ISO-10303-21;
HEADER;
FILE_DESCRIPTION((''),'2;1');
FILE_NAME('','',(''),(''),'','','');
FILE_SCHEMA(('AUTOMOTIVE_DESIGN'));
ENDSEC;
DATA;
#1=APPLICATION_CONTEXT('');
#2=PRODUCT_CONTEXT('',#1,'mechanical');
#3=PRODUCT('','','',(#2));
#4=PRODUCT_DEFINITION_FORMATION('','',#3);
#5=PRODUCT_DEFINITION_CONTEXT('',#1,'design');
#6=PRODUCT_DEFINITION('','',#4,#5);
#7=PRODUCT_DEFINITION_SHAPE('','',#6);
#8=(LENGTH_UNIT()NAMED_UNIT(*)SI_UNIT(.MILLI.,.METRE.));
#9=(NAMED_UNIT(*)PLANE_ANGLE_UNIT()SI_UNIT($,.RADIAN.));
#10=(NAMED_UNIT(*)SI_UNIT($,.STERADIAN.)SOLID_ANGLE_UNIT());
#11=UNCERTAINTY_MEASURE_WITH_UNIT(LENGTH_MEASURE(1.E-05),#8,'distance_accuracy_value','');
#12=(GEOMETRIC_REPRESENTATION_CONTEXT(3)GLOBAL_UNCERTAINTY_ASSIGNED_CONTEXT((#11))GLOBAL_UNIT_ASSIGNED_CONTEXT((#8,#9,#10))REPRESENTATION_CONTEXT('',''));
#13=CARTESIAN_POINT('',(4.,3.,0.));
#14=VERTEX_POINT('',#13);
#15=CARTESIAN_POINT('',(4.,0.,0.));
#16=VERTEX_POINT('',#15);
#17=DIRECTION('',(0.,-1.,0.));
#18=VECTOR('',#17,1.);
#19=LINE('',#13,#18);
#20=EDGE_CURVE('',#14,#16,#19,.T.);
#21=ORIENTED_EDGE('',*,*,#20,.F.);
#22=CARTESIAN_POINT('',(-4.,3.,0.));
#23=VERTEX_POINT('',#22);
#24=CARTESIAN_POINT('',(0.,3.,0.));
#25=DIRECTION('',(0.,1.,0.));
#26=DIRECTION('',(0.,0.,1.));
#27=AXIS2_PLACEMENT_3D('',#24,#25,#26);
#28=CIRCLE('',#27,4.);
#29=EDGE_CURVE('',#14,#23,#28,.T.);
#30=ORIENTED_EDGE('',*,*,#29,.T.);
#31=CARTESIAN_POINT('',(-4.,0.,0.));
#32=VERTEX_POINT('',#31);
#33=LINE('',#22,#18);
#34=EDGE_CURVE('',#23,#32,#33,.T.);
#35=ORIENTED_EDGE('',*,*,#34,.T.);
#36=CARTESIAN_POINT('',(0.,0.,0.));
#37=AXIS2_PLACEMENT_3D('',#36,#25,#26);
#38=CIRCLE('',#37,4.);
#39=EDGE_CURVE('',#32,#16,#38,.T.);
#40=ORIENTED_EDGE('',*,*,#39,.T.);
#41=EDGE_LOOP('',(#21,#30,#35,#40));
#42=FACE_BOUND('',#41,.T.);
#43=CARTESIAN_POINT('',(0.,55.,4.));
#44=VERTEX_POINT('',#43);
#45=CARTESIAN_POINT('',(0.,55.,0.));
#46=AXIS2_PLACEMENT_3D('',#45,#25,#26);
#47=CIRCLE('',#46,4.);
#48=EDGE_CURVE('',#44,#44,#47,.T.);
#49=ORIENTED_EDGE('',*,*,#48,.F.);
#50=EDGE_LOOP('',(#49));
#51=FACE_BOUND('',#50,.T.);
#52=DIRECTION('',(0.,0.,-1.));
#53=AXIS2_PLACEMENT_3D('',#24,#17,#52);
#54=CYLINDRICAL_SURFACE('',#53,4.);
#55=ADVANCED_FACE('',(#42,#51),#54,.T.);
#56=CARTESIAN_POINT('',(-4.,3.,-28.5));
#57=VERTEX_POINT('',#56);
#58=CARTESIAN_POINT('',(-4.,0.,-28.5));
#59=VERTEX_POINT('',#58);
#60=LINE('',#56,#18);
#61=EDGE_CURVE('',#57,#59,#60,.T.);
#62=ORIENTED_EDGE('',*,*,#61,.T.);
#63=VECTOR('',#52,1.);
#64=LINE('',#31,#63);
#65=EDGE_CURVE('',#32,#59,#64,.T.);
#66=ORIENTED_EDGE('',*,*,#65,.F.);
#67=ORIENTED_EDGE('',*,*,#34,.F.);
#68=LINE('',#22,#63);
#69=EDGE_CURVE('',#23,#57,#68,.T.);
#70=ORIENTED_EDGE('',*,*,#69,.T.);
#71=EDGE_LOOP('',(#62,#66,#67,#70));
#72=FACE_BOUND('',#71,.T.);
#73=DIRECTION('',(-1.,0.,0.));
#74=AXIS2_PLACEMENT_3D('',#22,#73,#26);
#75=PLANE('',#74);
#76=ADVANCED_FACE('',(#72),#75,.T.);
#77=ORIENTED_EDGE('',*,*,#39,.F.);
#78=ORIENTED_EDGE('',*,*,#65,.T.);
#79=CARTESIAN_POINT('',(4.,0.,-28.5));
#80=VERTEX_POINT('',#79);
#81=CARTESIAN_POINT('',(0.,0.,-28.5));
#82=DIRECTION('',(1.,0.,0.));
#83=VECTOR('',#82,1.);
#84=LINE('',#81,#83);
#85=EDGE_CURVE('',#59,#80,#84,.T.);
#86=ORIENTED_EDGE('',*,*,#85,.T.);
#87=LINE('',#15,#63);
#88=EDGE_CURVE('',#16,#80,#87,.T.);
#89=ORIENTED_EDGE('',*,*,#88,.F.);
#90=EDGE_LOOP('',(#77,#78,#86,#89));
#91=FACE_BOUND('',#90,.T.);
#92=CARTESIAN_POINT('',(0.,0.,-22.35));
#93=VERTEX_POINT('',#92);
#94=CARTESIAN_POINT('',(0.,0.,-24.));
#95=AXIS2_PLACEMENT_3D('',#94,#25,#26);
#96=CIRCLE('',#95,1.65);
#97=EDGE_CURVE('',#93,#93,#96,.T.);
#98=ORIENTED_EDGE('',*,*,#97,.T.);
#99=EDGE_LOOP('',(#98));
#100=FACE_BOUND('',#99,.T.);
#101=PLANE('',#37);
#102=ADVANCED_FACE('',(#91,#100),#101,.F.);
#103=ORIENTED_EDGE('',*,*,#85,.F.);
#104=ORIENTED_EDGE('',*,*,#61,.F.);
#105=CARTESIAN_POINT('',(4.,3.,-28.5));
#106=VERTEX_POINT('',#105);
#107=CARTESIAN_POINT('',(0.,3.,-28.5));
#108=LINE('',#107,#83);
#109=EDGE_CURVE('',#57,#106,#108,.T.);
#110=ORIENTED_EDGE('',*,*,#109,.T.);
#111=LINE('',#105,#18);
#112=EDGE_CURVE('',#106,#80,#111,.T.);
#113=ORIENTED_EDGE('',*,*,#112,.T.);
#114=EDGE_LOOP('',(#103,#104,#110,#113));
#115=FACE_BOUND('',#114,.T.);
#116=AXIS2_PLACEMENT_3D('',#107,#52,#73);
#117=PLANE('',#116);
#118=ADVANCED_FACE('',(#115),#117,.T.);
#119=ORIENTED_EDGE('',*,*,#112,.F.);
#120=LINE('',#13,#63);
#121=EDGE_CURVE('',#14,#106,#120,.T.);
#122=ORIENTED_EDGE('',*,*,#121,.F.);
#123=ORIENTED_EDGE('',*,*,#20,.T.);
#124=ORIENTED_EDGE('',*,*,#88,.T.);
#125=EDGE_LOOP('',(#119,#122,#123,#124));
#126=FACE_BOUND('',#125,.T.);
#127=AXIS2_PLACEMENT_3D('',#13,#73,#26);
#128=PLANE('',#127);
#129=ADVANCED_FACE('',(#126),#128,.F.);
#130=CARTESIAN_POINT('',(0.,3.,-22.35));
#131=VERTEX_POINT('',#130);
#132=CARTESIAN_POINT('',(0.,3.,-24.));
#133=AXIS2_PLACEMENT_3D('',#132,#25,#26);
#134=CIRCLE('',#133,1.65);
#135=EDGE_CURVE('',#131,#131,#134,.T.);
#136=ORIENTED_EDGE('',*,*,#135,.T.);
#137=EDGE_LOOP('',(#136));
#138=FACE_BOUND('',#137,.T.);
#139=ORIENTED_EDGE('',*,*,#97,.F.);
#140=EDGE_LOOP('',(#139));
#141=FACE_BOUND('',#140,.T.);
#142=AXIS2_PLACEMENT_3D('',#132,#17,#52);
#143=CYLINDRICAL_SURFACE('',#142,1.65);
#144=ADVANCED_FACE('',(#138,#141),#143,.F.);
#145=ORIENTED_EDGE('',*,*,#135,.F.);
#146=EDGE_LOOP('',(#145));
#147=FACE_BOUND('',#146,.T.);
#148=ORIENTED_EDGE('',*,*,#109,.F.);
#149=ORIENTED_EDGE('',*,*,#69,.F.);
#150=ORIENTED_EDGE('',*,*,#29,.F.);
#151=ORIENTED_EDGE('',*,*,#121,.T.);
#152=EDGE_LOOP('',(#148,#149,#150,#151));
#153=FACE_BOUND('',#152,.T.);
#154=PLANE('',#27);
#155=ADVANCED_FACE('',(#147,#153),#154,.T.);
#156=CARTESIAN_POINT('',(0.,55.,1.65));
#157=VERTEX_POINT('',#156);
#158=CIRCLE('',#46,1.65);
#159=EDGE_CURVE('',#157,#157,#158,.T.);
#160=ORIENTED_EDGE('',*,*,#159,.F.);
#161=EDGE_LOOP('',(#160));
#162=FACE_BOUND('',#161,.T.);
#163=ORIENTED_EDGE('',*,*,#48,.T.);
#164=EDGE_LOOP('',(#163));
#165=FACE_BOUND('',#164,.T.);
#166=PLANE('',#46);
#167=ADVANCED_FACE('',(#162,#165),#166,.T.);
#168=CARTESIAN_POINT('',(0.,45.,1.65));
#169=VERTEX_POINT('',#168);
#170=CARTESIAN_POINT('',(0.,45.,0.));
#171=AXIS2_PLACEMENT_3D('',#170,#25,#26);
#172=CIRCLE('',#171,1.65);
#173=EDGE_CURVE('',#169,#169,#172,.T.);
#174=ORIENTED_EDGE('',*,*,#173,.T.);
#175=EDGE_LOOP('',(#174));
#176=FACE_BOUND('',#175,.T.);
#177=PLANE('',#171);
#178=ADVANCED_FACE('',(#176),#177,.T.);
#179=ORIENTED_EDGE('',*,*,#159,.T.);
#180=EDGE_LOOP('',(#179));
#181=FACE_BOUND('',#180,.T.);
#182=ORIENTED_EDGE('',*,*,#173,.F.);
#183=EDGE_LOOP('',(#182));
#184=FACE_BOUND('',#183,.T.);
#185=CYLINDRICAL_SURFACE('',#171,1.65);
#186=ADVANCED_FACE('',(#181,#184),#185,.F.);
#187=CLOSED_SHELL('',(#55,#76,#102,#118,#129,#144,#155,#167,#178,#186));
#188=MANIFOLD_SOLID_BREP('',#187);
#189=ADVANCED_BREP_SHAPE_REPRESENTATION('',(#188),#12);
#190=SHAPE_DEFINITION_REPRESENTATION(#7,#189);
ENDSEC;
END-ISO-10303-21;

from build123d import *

# Parameters (mm, degrees)
SKIZZE2_R                       = 1.65
SKIZZE2_R_2                     = 4
AUFSATZ_LINEAR_AUSTRAGEN1_DEPTH = 3
SKIZZE3_R                       = 4
AUFSATZ_LINEAR_AUSTRAGEN2_DEPTH = 52
SKIZZE4_R                       = 1.65
SCHNITT_LINEAR_AUSTRAGEN1_DEPTH = 10


with BuildPart() as part:
    # Skizze2 → Aufsatz-Linear austragen1 (new body)
    # profile 1 of 2: a face of its own
    with BuildSketch(Plane(origin=(0, 0, 0), x_dir=(1, 0, 0), z_dir=(0, 1, 0))):
        with BuildLine():
            Line((-4, 28.5), (-4, 0))
            ThreePointArc((-4, 0), (0, 4), (4, 0))
            Line((4, 0), (4, 28.5))
            Line((4, 28.5), (-4, 28.5))
        make_face()
        with Locations(Location((0, 24, 0), (0, 0, 270))):
            Circle(SKIZZE2_R, mode=Mode.SUBTRACT)
    # profile 2 of 2: a face of its own
    with BuildSketch(Plane(origin=(0, 0, 0), x_dir=(1, 0, 0), z_dir=(0, 1, 0))):
        Circle(SKIZZE2_R_2)
    extrude(amount=AUFSATZ_LINEAR_AUSTRAGEN1_DEPTH)

    # Skizze3 → Aufsatz-Linear austragen2 (add)
    with BuildSketch(Plane(origin=(0, 3, 0), x_dir=(1, 0, 0), z_dir=(0, 1, 0))):
        Circle(SKIZZE3_R)
    extrude(amount=AUFSATZ_LINEAR_AUSTRAGEN2_DEPTH)

    # Skizze4 → Schnitt-Linear austragen1 (cut)
    with BuildSketch(Plane(origin=(0, 55, 0), x_dir=(1, 0, 0), z_dir=(0, 1, 0))):
        with Locations(Location((0, 0, 0), (0, 0, 270))):
            Circle(SKIZZE4_R)
    extrude(amount=-SCHNITT_LINEAR_AUSTRAGEN1_DEPTH, mode=Mode.SUBTRACT)


solid = part.part
